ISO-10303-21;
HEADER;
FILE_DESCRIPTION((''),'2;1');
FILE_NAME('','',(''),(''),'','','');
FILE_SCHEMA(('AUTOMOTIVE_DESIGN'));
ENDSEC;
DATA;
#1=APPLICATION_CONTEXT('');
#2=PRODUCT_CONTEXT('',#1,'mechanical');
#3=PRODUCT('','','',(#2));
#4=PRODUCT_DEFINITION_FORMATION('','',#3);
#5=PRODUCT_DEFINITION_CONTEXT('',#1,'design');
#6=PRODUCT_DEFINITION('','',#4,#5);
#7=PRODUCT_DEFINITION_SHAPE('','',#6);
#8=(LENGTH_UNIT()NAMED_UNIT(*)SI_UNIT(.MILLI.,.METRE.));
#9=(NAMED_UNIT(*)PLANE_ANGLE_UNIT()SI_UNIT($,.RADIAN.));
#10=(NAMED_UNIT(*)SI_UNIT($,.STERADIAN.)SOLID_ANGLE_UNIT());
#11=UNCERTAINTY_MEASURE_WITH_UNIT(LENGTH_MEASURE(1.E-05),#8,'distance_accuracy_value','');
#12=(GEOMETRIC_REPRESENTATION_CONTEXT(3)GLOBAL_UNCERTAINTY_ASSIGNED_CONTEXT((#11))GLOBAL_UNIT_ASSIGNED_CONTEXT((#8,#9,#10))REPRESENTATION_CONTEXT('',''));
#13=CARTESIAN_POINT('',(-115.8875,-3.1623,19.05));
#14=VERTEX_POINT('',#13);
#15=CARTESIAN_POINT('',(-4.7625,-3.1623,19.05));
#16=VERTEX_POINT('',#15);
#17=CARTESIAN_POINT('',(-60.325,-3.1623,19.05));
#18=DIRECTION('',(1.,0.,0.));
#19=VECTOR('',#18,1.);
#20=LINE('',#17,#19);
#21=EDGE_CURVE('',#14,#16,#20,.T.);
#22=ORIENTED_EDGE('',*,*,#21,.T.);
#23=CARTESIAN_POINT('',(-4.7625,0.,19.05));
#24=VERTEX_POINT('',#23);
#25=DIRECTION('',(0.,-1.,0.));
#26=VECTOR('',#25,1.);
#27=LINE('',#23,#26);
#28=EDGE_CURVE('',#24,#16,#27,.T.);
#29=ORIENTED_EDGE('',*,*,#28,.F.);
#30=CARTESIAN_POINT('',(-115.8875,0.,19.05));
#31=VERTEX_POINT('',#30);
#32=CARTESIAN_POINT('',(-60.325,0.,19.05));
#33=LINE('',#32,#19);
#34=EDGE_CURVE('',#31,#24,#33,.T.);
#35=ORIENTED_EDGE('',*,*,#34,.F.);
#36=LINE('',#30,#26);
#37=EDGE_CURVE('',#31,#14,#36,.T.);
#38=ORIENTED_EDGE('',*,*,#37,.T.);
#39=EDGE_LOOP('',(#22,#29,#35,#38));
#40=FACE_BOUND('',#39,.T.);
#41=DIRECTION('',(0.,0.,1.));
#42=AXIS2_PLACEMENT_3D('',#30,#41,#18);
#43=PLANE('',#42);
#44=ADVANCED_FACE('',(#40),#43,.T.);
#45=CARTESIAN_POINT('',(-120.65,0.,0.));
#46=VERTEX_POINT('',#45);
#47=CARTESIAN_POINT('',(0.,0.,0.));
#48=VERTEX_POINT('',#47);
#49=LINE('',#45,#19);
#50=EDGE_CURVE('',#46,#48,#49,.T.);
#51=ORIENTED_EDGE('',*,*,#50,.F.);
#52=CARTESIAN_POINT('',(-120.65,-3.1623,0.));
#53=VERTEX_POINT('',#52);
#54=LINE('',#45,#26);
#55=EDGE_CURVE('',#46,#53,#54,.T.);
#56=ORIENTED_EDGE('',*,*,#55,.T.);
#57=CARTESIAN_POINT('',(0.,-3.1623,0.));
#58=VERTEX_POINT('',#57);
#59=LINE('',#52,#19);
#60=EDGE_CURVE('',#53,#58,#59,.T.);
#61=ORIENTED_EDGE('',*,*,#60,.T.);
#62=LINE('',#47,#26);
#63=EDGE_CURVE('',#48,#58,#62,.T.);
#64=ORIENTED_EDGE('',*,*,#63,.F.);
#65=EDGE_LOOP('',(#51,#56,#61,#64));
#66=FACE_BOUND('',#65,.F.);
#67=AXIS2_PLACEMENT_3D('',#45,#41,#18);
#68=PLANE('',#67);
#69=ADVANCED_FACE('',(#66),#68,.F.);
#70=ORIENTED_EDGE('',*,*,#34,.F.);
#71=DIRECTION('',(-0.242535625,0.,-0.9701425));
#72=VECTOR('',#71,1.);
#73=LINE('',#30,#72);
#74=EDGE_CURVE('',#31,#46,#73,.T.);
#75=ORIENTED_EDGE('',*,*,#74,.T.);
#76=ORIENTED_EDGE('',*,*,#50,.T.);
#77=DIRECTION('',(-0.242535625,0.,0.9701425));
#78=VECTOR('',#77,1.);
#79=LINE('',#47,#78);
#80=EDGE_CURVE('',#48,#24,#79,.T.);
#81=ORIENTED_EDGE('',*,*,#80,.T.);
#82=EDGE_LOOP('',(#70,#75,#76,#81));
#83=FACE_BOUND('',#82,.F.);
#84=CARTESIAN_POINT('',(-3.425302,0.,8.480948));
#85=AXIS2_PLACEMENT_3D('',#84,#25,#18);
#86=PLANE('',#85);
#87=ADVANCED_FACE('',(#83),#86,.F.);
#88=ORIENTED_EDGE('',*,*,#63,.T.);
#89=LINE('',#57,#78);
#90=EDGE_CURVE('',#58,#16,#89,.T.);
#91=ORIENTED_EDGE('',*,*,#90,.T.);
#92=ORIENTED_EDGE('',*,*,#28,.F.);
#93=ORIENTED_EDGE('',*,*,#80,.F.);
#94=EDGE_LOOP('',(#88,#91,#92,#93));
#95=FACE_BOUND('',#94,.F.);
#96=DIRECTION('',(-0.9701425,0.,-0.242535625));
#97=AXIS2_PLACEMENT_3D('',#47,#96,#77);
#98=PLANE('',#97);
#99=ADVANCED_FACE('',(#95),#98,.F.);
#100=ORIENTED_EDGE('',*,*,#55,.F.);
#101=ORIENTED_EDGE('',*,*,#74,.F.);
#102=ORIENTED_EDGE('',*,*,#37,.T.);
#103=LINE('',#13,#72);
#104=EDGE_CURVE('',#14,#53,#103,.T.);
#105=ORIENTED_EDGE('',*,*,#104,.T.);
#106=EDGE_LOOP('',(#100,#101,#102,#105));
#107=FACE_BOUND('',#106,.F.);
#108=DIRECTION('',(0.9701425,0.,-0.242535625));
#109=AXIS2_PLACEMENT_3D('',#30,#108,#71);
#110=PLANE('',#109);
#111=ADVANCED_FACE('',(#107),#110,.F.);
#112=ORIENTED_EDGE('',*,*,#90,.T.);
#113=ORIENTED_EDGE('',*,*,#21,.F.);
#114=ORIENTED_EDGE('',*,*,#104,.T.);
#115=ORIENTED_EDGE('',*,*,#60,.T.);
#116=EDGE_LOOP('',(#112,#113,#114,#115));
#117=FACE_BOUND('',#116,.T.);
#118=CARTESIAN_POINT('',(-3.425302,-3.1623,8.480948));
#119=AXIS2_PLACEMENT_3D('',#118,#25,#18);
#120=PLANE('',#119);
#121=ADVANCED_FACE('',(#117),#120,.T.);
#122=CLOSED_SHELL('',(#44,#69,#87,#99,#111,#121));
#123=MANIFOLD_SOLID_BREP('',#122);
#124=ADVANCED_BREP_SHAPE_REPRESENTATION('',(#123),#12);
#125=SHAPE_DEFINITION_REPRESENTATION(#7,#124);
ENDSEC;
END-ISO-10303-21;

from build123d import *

# Parameters (mm, degrees)
F0_W     = 111.125
F0_H     = 19.05
F1_DEPTH = 3.1623


with BuildPart() as f1:
    # F0 (on Front) → F1 (new body)
    with BuildSketch(Plane.XZ):
        Polygon((-4.7625, 0), (0, 0), (-4.7625, 19.05), align=None)
        with Locations((-60.325, 9.525)):
            Rectangle(F0_W, F0_H)
        Polygon((-120.65, 0), (-115.8875, 0), (-115.8875, 19.05), align=None)
    extrude(amount=F1_DEPTH)


solid = f1.part
